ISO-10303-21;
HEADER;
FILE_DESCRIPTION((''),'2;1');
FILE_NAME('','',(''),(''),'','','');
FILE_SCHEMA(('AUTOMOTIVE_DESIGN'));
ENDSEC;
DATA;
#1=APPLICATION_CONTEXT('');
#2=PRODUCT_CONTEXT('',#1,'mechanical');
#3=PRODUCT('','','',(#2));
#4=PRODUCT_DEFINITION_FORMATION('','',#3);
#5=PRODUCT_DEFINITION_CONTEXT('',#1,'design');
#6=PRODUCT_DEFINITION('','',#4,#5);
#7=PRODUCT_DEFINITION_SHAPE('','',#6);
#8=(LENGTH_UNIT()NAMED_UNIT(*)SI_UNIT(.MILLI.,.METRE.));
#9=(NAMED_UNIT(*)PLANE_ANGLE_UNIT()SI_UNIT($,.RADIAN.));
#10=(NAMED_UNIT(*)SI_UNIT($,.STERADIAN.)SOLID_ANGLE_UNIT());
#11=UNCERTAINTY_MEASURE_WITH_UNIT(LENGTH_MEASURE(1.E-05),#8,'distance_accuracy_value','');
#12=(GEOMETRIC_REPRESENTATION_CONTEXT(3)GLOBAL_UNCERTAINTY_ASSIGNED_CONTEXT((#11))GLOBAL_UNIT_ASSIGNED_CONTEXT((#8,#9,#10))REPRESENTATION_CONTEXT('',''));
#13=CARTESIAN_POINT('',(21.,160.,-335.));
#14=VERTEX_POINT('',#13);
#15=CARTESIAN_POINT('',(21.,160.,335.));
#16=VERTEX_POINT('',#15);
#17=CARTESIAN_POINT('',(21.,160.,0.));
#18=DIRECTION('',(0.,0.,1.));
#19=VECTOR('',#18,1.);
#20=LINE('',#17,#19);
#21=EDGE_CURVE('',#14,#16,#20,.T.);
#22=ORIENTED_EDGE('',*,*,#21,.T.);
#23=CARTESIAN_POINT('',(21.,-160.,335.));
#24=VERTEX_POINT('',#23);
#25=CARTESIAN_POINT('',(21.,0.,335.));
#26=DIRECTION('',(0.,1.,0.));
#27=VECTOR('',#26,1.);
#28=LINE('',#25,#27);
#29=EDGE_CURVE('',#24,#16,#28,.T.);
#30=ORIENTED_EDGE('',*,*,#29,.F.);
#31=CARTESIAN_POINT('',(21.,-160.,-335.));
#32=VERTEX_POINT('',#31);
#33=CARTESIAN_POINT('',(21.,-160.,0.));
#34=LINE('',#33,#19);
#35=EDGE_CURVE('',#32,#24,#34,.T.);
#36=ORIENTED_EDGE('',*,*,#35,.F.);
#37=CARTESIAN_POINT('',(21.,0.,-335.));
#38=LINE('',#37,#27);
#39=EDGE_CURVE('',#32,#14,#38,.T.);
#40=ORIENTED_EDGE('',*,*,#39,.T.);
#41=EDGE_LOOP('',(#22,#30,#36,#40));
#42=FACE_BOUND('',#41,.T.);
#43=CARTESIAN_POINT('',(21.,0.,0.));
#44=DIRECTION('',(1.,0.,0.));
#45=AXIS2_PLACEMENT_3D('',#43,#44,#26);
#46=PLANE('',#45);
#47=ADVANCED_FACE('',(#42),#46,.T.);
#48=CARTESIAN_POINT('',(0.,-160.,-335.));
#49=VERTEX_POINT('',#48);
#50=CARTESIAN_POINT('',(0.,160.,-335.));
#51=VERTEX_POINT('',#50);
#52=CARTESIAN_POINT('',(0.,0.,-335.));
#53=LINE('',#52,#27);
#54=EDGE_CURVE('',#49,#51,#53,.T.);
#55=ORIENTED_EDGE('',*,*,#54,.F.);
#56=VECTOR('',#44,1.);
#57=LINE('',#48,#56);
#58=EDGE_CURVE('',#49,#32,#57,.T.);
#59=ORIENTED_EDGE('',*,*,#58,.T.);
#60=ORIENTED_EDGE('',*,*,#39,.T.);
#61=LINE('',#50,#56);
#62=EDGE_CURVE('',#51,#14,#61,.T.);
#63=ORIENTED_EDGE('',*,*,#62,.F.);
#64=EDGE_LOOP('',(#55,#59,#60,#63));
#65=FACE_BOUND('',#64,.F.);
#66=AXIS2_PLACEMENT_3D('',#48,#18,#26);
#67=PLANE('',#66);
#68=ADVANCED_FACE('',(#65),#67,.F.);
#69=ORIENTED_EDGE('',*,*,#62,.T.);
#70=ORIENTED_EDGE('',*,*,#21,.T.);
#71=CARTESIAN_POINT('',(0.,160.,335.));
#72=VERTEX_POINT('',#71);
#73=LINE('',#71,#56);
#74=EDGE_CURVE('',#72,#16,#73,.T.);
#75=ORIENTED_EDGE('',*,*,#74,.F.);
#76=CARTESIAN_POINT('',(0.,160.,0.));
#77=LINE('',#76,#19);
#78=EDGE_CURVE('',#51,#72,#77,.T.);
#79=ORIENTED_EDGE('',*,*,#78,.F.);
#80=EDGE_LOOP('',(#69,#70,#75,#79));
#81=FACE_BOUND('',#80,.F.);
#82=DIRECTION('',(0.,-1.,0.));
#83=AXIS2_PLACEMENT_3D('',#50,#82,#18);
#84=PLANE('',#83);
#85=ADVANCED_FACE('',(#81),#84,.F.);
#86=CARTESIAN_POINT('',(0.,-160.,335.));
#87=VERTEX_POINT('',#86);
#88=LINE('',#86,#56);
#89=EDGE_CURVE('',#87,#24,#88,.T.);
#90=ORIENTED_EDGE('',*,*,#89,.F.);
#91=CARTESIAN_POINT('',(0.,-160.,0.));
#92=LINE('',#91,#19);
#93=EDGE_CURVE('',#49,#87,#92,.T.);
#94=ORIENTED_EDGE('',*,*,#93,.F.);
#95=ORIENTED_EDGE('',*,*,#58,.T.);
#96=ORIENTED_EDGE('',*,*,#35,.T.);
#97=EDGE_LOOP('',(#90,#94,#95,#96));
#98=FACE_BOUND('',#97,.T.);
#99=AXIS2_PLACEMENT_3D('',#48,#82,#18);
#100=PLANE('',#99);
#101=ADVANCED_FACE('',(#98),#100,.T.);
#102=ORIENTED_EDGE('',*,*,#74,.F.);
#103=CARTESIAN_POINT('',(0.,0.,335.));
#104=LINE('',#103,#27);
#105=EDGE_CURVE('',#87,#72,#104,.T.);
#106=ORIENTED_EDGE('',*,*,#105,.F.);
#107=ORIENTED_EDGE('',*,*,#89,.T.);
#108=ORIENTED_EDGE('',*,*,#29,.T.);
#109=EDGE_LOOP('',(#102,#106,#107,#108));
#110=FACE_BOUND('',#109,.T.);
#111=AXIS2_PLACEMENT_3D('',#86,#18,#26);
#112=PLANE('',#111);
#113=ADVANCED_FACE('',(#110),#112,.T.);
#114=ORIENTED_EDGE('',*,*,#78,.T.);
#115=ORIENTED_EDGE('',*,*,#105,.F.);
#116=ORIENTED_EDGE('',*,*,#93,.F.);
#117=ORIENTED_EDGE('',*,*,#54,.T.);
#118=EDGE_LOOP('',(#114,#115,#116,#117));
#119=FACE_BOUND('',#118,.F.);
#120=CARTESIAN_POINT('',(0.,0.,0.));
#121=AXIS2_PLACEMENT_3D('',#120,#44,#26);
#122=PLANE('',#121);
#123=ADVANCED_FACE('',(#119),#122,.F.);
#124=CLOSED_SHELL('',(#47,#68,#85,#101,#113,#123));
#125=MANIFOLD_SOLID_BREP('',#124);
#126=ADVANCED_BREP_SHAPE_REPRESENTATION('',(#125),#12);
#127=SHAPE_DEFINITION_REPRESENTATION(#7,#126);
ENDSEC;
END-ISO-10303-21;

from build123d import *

# Parameters (mm, degrees)
F0_W     = 320
F0_H     = 670
F1_DEPTH = 21


with BuildPart() as f1:
    # F0 (on Right) → F1 (new body)
    with BuildSketch(Plane.YZ):
        Rectangle(F0_W, F0_H)
    extrude(amount=F1_DEPTH)


solid = f1.part
